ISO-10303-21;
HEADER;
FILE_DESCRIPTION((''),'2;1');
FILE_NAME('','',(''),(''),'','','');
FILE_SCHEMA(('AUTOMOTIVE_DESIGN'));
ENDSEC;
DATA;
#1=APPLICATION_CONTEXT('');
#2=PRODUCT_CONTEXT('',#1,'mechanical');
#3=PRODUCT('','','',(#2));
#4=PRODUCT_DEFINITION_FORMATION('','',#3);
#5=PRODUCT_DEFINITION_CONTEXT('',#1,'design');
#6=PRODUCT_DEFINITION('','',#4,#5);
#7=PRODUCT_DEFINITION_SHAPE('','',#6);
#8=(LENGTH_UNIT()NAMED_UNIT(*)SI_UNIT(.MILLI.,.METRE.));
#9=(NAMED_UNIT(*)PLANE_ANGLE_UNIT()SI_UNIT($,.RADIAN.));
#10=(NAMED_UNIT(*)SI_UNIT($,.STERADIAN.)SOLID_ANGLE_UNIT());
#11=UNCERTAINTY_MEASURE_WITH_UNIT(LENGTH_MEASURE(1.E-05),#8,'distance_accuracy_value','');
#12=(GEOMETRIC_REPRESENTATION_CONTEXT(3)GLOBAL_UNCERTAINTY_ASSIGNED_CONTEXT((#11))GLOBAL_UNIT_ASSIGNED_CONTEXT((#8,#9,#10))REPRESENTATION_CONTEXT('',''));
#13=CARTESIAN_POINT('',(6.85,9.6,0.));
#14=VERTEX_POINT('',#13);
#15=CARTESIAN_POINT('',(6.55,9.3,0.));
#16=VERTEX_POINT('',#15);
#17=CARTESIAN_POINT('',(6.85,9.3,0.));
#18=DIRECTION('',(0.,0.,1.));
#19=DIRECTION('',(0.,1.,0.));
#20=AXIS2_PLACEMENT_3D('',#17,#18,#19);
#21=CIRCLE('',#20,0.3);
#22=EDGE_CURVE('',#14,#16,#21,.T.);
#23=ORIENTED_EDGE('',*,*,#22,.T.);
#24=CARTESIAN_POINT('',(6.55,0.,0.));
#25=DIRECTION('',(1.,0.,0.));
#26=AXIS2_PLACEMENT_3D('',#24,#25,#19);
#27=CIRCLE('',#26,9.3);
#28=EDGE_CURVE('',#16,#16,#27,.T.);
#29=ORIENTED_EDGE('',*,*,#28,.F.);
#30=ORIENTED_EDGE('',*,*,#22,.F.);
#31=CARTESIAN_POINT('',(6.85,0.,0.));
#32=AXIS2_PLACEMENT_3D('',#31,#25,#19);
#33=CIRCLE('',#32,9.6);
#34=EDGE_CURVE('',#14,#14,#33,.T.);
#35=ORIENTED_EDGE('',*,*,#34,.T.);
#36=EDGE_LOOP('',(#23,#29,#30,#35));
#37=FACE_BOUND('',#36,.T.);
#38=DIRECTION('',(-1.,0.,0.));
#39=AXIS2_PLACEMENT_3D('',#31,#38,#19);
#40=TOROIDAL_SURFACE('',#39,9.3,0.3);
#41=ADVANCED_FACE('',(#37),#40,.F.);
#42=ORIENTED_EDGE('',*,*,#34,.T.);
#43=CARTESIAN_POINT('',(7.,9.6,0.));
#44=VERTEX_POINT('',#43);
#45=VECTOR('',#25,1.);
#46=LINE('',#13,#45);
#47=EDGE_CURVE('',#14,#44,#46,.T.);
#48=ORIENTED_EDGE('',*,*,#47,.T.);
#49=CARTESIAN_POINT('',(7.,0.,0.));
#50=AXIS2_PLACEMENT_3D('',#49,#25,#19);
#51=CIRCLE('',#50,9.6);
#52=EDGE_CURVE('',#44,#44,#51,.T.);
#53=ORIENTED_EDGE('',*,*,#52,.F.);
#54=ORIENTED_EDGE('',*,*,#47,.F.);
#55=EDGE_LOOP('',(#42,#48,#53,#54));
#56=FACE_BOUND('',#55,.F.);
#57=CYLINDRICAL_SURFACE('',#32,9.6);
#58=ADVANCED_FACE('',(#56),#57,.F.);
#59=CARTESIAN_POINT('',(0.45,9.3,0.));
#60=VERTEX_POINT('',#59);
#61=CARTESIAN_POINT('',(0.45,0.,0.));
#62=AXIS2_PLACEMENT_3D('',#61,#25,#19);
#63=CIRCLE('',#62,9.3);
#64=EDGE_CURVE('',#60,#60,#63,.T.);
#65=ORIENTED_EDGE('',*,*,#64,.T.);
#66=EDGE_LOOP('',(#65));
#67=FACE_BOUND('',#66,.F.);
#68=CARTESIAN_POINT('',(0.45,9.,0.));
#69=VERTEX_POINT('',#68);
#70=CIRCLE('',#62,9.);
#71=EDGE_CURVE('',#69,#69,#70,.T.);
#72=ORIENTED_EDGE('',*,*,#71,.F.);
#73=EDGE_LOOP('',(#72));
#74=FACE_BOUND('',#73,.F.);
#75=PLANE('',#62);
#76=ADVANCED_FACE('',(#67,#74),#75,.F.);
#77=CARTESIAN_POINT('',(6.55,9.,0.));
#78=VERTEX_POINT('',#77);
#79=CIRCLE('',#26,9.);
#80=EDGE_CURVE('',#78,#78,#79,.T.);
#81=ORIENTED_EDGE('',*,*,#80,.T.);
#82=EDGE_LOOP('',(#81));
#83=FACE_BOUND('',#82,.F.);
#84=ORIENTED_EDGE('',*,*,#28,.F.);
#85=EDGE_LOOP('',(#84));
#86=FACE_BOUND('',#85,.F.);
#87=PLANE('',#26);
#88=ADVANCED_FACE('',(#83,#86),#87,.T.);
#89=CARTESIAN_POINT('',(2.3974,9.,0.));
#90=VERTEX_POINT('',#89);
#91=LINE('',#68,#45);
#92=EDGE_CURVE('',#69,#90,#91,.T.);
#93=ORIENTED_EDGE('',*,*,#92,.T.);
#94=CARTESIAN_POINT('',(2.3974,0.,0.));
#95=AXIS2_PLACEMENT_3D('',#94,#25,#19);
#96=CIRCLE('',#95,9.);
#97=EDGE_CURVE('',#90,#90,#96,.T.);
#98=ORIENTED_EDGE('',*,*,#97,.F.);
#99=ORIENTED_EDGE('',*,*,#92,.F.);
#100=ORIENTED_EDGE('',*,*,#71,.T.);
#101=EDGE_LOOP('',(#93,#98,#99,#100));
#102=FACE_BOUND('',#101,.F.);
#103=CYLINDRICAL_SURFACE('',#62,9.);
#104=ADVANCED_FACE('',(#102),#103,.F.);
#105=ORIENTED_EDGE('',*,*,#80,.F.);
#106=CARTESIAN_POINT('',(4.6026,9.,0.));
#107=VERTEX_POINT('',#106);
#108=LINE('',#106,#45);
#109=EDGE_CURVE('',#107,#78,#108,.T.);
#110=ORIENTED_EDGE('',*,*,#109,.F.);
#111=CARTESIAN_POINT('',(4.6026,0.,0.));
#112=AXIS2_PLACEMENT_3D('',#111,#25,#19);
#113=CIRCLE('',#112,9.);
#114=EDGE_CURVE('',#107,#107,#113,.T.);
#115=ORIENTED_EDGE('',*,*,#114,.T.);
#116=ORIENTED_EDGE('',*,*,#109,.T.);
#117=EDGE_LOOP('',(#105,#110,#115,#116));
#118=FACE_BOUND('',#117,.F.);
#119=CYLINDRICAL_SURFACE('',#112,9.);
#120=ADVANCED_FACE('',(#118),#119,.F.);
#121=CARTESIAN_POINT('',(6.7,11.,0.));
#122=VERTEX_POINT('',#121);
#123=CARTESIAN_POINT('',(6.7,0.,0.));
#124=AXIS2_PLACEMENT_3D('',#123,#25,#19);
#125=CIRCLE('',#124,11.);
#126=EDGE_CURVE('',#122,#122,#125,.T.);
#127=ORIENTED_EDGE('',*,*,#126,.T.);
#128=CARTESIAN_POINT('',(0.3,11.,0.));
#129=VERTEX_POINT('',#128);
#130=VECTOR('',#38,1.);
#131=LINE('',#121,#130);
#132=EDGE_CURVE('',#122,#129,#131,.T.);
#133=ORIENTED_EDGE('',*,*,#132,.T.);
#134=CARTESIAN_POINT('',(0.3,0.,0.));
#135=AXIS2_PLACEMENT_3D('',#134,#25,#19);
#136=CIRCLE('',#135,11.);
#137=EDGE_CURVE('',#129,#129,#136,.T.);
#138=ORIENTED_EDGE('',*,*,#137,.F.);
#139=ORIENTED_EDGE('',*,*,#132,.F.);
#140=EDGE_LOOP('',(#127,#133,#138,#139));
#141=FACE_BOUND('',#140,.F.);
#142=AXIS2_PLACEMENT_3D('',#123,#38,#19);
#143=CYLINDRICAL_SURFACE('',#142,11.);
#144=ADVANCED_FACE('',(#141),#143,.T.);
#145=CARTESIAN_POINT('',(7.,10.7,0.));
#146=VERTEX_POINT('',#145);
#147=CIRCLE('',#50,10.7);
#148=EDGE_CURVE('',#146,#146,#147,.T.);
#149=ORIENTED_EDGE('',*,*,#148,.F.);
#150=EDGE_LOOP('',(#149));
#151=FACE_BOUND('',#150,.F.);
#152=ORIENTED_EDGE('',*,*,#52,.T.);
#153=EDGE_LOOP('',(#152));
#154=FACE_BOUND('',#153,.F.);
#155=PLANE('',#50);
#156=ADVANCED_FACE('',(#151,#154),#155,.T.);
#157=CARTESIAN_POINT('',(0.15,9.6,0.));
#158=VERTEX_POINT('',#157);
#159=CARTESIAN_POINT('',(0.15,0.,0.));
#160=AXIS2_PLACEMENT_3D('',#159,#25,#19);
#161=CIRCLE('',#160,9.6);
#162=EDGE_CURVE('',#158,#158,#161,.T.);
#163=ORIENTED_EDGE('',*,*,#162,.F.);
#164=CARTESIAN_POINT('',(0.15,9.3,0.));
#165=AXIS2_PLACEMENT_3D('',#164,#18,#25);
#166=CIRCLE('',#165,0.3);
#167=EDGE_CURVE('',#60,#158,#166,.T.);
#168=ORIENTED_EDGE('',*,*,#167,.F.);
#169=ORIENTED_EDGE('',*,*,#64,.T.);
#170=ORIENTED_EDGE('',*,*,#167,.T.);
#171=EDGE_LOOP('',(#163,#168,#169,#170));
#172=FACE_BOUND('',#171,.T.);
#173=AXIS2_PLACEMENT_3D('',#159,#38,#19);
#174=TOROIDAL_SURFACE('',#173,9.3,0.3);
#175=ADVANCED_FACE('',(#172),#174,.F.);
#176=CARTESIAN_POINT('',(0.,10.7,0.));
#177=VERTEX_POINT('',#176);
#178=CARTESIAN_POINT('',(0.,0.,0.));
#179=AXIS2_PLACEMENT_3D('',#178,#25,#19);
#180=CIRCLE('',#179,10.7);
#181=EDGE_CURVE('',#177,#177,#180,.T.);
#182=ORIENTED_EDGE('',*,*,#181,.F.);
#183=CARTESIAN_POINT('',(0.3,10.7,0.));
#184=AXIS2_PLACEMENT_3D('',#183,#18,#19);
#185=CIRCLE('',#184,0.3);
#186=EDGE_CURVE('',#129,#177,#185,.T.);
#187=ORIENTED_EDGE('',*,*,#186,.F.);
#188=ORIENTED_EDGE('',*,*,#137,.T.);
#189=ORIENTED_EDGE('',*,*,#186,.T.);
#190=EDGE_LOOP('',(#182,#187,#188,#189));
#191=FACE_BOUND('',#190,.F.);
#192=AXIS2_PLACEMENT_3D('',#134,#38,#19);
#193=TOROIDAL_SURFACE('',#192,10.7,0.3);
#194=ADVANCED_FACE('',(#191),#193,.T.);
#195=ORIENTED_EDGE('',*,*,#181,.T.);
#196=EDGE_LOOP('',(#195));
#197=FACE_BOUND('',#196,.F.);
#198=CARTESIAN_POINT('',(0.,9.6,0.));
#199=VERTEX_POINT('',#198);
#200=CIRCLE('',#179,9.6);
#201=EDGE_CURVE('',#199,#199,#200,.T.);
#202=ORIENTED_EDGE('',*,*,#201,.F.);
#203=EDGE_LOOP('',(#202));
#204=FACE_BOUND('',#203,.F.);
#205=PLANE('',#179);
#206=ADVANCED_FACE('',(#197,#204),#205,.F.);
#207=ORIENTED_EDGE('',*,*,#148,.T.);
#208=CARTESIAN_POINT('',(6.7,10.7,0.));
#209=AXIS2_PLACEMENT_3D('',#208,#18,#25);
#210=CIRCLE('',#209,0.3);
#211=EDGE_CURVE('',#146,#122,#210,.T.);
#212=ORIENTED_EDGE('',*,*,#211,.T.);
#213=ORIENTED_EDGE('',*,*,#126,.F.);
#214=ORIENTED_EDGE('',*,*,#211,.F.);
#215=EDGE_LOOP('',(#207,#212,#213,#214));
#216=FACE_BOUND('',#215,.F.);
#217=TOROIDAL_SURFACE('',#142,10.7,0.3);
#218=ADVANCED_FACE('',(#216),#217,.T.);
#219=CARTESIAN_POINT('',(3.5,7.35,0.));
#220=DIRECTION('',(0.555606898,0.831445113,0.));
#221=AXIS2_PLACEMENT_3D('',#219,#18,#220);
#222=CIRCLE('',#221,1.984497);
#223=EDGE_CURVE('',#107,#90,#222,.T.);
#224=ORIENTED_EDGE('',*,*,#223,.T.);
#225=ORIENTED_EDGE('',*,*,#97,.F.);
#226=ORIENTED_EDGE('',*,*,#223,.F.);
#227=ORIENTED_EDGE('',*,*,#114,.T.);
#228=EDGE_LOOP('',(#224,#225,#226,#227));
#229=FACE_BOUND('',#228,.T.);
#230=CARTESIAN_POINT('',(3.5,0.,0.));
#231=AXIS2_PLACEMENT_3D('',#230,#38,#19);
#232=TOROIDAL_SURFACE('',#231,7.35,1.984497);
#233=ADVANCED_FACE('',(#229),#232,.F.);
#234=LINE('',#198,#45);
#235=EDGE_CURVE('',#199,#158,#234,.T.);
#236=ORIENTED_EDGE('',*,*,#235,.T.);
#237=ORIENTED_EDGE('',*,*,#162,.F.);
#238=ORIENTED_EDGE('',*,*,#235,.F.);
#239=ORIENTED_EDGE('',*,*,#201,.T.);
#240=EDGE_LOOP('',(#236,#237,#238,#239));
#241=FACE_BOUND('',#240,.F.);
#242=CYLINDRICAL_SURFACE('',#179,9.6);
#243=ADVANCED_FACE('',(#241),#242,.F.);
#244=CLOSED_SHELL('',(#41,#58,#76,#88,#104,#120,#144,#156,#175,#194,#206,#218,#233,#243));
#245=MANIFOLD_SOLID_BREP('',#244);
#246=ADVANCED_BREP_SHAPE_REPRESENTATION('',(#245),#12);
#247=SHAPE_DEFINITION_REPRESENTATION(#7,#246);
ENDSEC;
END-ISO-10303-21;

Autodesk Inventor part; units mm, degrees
ref_plane "YZ Plane" through (0, 0, 0) normal (1, 0, 0) x (0, 1, 0)
ref_plane "XZ Plane" through (0, 0, 0) normal (0, 1, 0) x (-1, 0, 0)
ref_plane "XY Plane" through (0, 0, 0) normal (0, 0, 1) x (1, 0, 0)
sketch "Sketch_9" plane through (0, 0, 0) normal (0, 0, 1) x (1, 0, 0)
  line L0 (50, 0) -> (-50, 0)
  line L1 (0, 10.7) -> (0, 9.6)
  line L2 (0, 9.6) -> (0.15, 9.6)
  arc A0 (0.45, 9.3) -> (0.15, 9.6) centre (0.15, 9.3) ccw
  line L3 (0.45, 9.3) -> (0.45, 9)
  line L4 (0.45, 9) -> (2.3974, 9)
  arc A1 (4.6026, 9) -> (2.3974, 9) centre (3.5, 7.35) ccw
  line L5 (4.6026, 9) -> (6.55, 9)
  line L6 (6.55, 9) -> (6.55, 9.3)
  arc A2 (6.85, 9.6) -> (6.55, 9.3) centre (6.85, 9.3) ccw
  line L7 (6.85, 9.6) -> (7, 9.6)
  line L8 (7, 9.6) -> (7, 10.7)
  arc A3 (7, 10.7) -> (6.7, 11) centre (6.7, 10.7) ccw
  line L9 (6.7, 11) -> (0.3, 11)
  arc A4 (0.3, 11) -> (0, 10.7) centre (0.3, 10.7) ccw
revolve "Revolution1" add sketch "Sketch_9" angle 360 about axis through (50, 0, 0) along (1, 0, 0)
properties part number "SKF_608-2RSL_PART2"
